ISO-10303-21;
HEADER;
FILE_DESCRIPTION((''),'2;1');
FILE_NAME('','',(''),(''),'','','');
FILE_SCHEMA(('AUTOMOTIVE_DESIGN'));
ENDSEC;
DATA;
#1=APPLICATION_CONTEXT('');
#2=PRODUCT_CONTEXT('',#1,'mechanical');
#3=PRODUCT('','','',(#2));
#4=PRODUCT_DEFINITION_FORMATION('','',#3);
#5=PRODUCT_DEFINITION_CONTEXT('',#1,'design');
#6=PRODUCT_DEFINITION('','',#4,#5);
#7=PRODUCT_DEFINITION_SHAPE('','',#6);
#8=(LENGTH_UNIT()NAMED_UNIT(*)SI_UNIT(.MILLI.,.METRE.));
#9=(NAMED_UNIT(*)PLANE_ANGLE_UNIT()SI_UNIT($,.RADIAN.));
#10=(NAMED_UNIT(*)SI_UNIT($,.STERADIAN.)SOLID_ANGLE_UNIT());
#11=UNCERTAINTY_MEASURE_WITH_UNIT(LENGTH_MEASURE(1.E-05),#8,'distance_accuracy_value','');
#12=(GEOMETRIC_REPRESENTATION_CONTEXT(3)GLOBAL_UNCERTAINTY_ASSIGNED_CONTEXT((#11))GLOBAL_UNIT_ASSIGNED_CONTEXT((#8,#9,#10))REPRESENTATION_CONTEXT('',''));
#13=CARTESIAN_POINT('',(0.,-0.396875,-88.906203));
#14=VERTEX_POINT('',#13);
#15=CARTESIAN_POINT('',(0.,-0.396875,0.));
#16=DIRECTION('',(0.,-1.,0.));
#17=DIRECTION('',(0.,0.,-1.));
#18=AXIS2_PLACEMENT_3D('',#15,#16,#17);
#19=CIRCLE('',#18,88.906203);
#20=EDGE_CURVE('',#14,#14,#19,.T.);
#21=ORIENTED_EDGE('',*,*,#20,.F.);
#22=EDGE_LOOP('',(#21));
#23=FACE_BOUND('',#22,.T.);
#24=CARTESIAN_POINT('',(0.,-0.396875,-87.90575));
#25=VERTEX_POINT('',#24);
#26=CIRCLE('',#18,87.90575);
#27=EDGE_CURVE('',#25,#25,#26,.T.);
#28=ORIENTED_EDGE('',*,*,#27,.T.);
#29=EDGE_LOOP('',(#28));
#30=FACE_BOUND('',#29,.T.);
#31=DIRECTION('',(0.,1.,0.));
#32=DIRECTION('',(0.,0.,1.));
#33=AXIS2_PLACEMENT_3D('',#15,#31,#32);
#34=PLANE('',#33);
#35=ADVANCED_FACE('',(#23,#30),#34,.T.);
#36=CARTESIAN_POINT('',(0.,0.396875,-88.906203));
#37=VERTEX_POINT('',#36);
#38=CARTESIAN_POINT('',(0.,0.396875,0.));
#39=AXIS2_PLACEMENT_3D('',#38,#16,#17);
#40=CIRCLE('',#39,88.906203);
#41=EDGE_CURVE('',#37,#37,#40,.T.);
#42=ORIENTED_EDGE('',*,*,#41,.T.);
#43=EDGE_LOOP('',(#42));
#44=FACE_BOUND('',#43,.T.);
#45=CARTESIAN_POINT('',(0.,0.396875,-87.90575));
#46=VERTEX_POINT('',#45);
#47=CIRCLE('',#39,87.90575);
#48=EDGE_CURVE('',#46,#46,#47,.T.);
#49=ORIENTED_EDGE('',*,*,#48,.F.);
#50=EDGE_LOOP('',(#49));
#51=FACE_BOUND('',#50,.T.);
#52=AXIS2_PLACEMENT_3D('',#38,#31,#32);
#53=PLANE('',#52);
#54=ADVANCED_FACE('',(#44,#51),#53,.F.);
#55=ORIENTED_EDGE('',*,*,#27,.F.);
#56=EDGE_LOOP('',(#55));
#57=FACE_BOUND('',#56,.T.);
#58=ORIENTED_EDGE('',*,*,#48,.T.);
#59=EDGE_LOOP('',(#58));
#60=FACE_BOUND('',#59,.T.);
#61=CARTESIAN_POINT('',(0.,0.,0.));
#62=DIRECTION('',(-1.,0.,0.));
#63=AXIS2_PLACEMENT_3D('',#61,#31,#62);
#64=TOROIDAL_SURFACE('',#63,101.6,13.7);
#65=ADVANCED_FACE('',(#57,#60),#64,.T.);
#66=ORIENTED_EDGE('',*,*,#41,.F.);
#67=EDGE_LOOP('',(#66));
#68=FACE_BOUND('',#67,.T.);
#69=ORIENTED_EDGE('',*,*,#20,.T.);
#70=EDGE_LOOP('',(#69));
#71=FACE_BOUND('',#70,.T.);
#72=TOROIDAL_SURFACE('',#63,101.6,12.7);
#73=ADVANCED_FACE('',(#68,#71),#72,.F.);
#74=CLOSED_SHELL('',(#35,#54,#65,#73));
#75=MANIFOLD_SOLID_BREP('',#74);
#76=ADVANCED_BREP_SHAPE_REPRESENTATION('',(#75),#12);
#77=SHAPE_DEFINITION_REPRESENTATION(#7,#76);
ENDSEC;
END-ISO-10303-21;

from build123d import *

# Parameters (mm, degrees)
SKETCH1_R          = 13.7
SKETCH1_R_2        = 12.7
SKETCH3_R          = 107.95
CUT_EXTRUDE1_DEPTH = 0.078125
SKETCH4_R          = 107.95
CUT_EXTRUDE2_DEPTH = 0.396875


with BuildPart() as part:
    # Sketch1 → Revolve1 (revolve)
    with BuildSketch(Plane.XY):
        with Locations((101.6, 0)):
            Circle(SKETCH1_R)
        with Locations((101.6, 0)):
            Circle(SKETCH1_R_2, mode=Mode.SUBTRACT)
    revolve(axis=Axis((0, 3.175, 0), (0, -1, 0)))

    # Sketch3 → Cut-Extrude1 (cut, symmetric)
    with BuildSketch(Plane(origin=(0, 0, 0), x_dir=(1, 0, 0), z_dir=(0, 1, 0))):
        Circle(SKETCH3_R)
        with BuildLine():
            ThreePointArc((27.757566502, -91.11575057), (67.351920908, -67.351920908), (91.11575057, -27.757566502))
            ThreePointArc((91.11575057, -27.757566502), (89.903527616, -21.822714376), (84.266922058, -19.60446461))
            ThreePointArc((84.266922058, -19.60446461), (40.804807613, -40.804807613), (19.60446461, -84.266922058))
            ThreePointArc((19.60446461, -84.266922058), (21.822714376, -89.903527616), (27.757566502, -91.11575057))
        make_face(mode=Mode.SUBTRACT)
        with BuildLine():
            ThreePointArc((-81.63869201, 23.668181818), (0, 38.1), (81.63869201, 23.668181818))
            ThreePointArc((81.63869201, 23.668181818), (88.283116885, 25.120584837), (89.802561211, 31.75))
            ThreePointArc((89.802561211, 31.75), (0, 95.25), (-89.802561211, 31.75))
            ThreePointArc((-89.802561211, 31.75), (-88.283116885, 25.120584837), (-81.63869201, 23.668181818))
        make_face(mode=Mode.SUBTRACT)
        with BuildLine():
            ThreePointArc((-84.266922058, -19.60446461), (-40.804807613, -40.804807613), (-19.60446461, -84.266922058))
            ThreePointArc((-19.60446461, -84.266922058), (-21.822714376, -89.903527616), (-27.757566502, -91.11575057))
            ThreePointArc((-27.757566502, -91.11575057), (-67.351920908, -67.351920908), (-91.11575057, -27.757566502))
            ThreePointArc((-91.11575057, -27.757566502), (-89.903527616, -21.822714376), (-84.266922058, -19.60446461))
        make_face(mode=Mode.SUBTRACT)
    extrude(amount=CUT_EXTRUDE1_DEPTH, both=True, mode=Mode.SUBTRACT)

    # Sketch4 → Cut-Extrude2 (cut, symmetric)
    with BuildSketch(Plane(origin=(0, 0, 0), x_dir=(1, 0, 0), z_dir=(0, 1, 0))):
        Circle(SKETCH4_R)
    extrude(amount=CUT_EXTRUDE2_DEPTH, both=True, mode=Mode.SUBTRACT)


solid = part.part
